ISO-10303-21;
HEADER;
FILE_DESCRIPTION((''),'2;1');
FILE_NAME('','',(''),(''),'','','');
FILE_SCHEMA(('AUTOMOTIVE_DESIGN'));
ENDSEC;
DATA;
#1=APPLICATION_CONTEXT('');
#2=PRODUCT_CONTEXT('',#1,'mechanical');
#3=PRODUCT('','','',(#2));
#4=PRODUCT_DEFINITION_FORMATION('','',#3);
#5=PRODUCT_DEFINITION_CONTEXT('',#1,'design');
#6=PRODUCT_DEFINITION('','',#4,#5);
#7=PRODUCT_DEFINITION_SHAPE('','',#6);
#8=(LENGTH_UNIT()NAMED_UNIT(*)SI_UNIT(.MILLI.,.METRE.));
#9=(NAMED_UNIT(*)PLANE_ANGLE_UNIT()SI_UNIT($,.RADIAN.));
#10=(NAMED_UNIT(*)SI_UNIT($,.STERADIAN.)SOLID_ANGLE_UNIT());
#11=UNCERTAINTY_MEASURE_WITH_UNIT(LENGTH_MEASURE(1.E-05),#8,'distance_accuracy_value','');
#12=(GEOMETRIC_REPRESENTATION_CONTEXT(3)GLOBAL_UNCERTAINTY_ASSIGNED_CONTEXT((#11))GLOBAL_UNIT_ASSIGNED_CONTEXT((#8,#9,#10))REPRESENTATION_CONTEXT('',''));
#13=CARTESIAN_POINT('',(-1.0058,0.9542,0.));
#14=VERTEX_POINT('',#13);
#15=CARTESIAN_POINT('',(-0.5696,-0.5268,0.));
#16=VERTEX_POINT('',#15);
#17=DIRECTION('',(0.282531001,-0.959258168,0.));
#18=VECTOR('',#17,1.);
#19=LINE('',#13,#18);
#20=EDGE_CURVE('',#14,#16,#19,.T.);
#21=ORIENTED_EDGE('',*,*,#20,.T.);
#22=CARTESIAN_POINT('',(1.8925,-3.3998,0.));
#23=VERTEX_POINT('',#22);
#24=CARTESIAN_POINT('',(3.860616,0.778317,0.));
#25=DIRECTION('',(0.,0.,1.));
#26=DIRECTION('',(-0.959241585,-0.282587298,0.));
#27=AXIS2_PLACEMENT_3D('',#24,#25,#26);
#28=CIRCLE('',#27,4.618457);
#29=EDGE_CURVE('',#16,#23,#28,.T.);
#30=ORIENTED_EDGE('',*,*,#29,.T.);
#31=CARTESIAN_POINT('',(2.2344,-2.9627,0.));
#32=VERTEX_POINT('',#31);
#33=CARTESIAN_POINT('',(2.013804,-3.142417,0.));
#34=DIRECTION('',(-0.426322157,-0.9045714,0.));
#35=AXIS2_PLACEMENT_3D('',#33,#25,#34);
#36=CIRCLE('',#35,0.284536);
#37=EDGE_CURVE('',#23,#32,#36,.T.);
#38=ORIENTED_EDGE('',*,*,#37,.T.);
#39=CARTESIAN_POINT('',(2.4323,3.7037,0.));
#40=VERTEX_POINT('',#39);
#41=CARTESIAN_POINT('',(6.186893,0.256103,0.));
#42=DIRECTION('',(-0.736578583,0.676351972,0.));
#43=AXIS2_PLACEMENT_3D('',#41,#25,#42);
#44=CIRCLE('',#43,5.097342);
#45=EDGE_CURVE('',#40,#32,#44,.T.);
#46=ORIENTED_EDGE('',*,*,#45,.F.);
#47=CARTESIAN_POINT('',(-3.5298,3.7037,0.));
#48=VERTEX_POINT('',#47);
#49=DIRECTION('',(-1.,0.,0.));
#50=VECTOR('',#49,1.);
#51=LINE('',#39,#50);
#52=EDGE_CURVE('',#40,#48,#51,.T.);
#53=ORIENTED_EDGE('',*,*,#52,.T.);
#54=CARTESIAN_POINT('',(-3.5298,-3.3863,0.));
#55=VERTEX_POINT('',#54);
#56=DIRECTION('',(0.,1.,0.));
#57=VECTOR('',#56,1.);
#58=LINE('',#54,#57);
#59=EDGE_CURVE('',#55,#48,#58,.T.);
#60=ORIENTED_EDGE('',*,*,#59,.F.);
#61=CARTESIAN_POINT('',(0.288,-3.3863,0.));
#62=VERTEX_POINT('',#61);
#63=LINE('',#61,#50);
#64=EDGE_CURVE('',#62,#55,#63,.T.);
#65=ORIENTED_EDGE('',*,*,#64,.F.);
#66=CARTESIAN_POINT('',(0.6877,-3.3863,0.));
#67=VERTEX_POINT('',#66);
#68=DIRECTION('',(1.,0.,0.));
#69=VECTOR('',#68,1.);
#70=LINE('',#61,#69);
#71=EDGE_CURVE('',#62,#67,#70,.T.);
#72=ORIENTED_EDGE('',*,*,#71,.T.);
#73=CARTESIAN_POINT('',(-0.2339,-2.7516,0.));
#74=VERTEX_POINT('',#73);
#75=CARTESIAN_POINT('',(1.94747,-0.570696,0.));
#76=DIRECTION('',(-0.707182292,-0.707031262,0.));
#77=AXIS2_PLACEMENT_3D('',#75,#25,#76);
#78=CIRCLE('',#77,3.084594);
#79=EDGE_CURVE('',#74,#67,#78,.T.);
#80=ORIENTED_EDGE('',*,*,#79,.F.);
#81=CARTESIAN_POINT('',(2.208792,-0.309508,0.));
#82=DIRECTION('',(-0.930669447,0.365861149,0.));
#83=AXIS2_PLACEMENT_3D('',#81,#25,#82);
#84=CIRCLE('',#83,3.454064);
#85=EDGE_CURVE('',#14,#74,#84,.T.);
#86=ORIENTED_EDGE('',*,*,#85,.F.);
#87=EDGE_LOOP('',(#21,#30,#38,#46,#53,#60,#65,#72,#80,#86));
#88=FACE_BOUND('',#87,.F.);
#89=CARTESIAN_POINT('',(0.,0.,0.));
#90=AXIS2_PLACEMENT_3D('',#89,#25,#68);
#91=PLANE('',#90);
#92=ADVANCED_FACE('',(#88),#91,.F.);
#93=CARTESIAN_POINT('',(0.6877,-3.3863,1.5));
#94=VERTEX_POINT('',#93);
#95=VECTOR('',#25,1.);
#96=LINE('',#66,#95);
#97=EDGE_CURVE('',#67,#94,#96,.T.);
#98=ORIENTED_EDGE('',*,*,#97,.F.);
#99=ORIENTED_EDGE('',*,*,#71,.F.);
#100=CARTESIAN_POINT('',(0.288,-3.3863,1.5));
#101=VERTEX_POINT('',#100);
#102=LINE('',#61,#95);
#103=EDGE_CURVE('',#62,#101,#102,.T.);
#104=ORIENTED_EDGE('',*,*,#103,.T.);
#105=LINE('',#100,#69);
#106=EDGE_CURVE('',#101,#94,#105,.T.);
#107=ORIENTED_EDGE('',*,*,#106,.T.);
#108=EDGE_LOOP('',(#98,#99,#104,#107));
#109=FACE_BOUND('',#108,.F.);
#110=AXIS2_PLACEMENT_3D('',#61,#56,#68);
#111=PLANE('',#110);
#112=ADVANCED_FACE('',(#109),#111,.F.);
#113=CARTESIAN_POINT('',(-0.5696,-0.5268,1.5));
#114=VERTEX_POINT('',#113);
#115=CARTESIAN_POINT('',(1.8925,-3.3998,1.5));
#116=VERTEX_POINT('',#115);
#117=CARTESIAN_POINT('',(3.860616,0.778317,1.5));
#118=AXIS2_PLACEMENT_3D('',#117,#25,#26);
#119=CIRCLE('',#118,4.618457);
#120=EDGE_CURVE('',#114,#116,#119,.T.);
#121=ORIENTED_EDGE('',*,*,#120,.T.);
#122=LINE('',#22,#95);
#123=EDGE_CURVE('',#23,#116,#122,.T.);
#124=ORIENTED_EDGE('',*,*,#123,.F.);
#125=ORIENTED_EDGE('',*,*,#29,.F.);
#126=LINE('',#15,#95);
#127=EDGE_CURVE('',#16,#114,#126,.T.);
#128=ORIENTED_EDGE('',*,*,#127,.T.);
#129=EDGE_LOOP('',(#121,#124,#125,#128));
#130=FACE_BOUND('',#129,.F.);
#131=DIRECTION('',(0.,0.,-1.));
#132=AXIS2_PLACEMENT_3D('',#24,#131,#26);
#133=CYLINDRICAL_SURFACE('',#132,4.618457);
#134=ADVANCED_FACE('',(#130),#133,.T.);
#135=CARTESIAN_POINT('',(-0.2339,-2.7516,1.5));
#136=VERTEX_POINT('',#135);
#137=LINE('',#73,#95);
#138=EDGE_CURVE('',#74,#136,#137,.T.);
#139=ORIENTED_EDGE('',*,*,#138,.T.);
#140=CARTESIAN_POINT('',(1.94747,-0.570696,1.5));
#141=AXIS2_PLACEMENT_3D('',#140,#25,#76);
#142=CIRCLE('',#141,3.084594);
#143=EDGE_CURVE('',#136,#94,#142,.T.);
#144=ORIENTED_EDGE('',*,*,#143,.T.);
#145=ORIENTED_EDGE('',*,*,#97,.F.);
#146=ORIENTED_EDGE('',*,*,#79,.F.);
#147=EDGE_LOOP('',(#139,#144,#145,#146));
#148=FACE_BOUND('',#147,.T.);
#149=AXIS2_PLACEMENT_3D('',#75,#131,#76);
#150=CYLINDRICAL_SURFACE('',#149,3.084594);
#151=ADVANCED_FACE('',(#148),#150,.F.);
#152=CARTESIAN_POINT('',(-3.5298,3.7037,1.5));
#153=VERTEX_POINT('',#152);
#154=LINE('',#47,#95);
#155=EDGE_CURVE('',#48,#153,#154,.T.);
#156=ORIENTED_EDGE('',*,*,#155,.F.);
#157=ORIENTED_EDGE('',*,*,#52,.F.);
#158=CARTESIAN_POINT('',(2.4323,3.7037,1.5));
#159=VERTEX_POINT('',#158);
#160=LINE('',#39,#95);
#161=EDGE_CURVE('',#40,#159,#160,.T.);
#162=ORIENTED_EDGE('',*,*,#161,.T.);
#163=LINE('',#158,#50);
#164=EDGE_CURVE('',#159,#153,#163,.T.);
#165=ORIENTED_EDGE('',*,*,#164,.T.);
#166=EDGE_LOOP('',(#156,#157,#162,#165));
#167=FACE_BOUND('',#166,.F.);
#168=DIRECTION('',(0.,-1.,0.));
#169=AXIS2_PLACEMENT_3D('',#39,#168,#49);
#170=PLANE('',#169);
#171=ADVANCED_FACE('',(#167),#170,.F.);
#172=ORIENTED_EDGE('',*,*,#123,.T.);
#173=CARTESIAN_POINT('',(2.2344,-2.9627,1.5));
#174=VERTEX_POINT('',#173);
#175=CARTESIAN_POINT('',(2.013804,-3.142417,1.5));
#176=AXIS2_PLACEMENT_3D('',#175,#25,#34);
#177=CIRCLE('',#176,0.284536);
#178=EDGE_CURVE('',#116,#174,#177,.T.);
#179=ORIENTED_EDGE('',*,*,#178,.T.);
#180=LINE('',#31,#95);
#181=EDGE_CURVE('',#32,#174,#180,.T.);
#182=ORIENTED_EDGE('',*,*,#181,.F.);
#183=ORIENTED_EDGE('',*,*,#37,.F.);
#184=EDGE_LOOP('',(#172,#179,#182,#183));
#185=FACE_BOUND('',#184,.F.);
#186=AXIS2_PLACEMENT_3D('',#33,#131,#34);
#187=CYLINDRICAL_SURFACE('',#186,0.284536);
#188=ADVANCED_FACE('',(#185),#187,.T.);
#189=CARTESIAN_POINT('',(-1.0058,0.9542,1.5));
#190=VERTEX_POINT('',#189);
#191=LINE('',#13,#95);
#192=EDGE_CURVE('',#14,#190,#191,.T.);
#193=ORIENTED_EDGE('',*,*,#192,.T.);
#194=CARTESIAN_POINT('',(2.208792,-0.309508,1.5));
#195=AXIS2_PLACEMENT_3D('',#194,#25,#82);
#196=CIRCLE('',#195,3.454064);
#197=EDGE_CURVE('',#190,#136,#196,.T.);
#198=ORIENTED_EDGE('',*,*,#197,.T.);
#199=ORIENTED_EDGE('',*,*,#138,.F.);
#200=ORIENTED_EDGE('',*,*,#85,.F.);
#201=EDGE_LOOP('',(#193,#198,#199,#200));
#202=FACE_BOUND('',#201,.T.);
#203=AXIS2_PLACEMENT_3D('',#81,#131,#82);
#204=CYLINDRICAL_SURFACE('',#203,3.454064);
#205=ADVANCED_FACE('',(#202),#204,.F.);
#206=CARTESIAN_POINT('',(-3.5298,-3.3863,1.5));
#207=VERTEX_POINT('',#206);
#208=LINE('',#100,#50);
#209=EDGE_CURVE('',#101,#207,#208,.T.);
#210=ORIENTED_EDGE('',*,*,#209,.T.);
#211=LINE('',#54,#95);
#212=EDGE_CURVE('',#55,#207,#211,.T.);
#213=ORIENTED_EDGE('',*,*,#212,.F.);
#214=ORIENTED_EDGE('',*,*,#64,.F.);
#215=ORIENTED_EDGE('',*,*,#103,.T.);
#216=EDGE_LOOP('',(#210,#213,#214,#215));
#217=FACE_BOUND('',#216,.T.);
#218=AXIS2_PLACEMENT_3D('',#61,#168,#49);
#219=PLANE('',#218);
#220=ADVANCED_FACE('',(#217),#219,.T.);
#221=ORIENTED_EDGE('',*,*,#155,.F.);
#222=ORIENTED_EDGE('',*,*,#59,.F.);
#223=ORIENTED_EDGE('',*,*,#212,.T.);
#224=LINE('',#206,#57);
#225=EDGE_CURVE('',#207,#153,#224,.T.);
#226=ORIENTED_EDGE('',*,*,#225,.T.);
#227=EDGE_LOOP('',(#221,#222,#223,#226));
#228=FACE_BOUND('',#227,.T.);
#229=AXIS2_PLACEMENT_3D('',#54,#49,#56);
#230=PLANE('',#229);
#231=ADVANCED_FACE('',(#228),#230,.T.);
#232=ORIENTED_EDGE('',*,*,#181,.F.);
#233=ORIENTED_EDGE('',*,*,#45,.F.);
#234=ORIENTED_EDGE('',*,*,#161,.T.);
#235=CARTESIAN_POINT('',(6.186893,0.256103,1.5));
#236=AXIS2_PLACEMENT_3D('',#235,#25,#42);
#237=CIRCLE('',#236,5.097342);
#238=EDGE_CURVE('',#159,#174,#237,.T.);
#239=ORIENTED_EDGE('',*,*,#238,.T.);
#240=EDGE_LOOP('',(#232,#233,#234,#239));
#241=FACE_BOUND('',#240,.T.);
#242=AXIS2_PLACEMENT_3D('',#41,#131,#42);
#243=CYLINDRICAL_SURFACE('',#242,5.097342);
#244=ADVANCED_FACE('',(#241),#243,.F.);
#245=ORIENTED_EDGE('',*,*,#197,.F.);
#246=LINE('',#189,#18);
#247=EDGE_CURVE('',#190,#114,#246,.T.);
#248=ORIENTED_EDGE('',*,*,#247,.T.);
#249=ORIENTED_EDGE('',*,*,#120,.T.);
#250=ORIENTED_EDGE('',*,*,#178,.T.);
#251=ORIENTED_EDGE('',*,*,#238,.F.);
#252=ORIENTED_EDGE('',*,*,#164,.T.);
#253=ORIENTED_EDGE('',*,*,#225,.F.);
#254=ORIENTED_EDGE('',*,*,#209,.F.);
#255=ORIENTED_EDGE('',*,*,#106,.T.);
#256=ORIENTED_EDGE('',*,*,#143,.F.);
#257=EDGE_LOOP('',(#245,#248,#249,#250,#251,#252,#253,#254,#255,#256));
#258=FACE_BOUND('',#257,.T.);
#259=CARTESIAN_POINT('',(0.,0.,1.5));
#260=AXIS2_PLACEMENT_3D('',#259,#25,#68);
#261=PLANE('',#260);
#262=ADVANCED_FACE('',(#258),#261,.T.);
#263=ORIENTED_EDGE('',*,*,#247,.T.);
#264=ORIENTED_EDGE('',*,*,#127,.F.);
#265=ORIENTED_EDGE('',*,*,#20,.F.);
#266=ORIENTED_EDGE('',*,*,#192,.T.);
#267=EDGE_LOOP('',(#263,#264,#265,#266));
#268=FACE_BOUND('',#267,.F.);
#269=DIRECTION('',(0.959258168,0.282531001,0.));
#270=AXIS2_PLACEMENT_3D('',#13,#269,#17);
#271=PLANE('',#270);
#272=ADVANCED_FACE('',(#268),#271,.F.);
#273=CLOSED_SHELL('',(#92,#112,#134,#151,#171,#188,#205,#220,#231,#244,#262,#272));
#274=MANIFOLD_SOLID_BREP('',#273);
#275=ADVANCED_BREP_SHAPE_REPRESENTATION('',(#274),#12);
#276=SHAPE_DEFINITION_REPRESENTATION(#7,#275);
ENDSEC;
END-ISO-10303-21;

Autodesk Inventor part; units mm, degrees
ref_plane "YZ Plane" through (0, 0, 0) normal (1, 0, 0) x (0, 1, 0)
ref_plane "XZ Plane" through (0, 0, 0) normal (0, 1, 0) x (-1, 0, 0)
ref_plane "XY Plane" through (0, 0, 0) normal (0, 0, 1) x (1, 0, 0)
sketch "Sketch1" plane through (0, 0, 0) normal (1, 0, 0) x (0, 1, 0)
  point P0 (0, 0)
sketch "Sketch2" plane through (0, 0, 0) normal (0, 0, 1) x (1, 0, 0)
  line L0 (4.0785, 4.9113) -> (2.4908, 4.9113) construction
  line L1 (4.0785, 3.7037) -> (4.0785, 4.9113) construction
  line L2 (2.4323, 3.7037) -> (4.0785, 3.7037) construction
  arc A0 (2.4323, 3.7037) -> (2.2344, -2.9627) centre (6.1869, 0.2561) ccw
  arc A1 (1.8925, -3.3998) -> (2.2344, -2.9627) centre (2.0138, -3.1424) ccw
  arc A2 (-0.5696, -0.5268) -> (1.8925, -3.3998) centre (3.8604, 0.7782) ccw
  line L3 (-1.0058, 0.9542) -> (-0.5696, -0.5268)
  arc A3 (-1.0058, 0.9542) -> (-0.2339, -2.7516) centre (2.2087, -0.3095) ccw
  arc A4 (-0.2339, -2.7516) -> (1.9052, -3.655) centre (1.9474, -0.5708) ccw
  line L4 (2.5244, -3.655) -> (1.9052, -3.655) construction
  line L5 (2.5244, -4.0286) -> (2.5244, -3.655) construction
  line L6 (1.9895, -4.0228) -> (2.5244, -4.0286) construction
  line L7 (1.9895, -3.8389) -> (1.9895, -4.0228) construction
  line L8 (1.9474, -3.8389) -> (1.9895, -3.8389) construction
  arc A5 (0.288, -3.3863) -> (1.9474, -3.8389) centre (1.9474, -0.5708) ccw construction
  line L9 (-3.5298, -3.3863) -> (0.288, -3.3863) construction
  line L10 (-3.5298, 3.7037) -> (-3.5298, -3.3863) construction
  line L11 (1.3533, 3.7037) -> (-3.5298, 3.7037) construction
  line L12 (2.4908, 4.9113) -> (1.3533, 3.7037) construction
  line L13 (0.288, -3.3863) -> (0.6877, -3.3863)
  line L14 (2.4323, 3.7037) -> (-3.5298, 3.7037)
  line L15 (-3.5298, -3.3863) -> (-3.5298, 3.7037)
  line L16 (0.288, -3.3863) -> (-3.5298, -3.3863)
  point P0 (0, 0)
extrude "Plate1" add sketch "Sketch2" along normal blind 1.5
equation "\"d0\" = Thickness"
equation "\"BendRadius\" = Thickness"
equation "\"BendReliefWidth\" = Thickness"
equation "\"BendReliefDepth\" = 0.5 * Thickness"
equation "\"CornerReliefSize\" = 4 * Thickness"
equation "\"MinimumRemnant\" = 2 * Thickness"
equation "\"TransitionRadius\" = BendRadius"
equation "\"JacobiRadiusSize\" = BendRadius"
equation "\"GapSize\" = Thickness"
equation "\"Thickness\" = 1.5"
properties part number "TRIGGER_2"
